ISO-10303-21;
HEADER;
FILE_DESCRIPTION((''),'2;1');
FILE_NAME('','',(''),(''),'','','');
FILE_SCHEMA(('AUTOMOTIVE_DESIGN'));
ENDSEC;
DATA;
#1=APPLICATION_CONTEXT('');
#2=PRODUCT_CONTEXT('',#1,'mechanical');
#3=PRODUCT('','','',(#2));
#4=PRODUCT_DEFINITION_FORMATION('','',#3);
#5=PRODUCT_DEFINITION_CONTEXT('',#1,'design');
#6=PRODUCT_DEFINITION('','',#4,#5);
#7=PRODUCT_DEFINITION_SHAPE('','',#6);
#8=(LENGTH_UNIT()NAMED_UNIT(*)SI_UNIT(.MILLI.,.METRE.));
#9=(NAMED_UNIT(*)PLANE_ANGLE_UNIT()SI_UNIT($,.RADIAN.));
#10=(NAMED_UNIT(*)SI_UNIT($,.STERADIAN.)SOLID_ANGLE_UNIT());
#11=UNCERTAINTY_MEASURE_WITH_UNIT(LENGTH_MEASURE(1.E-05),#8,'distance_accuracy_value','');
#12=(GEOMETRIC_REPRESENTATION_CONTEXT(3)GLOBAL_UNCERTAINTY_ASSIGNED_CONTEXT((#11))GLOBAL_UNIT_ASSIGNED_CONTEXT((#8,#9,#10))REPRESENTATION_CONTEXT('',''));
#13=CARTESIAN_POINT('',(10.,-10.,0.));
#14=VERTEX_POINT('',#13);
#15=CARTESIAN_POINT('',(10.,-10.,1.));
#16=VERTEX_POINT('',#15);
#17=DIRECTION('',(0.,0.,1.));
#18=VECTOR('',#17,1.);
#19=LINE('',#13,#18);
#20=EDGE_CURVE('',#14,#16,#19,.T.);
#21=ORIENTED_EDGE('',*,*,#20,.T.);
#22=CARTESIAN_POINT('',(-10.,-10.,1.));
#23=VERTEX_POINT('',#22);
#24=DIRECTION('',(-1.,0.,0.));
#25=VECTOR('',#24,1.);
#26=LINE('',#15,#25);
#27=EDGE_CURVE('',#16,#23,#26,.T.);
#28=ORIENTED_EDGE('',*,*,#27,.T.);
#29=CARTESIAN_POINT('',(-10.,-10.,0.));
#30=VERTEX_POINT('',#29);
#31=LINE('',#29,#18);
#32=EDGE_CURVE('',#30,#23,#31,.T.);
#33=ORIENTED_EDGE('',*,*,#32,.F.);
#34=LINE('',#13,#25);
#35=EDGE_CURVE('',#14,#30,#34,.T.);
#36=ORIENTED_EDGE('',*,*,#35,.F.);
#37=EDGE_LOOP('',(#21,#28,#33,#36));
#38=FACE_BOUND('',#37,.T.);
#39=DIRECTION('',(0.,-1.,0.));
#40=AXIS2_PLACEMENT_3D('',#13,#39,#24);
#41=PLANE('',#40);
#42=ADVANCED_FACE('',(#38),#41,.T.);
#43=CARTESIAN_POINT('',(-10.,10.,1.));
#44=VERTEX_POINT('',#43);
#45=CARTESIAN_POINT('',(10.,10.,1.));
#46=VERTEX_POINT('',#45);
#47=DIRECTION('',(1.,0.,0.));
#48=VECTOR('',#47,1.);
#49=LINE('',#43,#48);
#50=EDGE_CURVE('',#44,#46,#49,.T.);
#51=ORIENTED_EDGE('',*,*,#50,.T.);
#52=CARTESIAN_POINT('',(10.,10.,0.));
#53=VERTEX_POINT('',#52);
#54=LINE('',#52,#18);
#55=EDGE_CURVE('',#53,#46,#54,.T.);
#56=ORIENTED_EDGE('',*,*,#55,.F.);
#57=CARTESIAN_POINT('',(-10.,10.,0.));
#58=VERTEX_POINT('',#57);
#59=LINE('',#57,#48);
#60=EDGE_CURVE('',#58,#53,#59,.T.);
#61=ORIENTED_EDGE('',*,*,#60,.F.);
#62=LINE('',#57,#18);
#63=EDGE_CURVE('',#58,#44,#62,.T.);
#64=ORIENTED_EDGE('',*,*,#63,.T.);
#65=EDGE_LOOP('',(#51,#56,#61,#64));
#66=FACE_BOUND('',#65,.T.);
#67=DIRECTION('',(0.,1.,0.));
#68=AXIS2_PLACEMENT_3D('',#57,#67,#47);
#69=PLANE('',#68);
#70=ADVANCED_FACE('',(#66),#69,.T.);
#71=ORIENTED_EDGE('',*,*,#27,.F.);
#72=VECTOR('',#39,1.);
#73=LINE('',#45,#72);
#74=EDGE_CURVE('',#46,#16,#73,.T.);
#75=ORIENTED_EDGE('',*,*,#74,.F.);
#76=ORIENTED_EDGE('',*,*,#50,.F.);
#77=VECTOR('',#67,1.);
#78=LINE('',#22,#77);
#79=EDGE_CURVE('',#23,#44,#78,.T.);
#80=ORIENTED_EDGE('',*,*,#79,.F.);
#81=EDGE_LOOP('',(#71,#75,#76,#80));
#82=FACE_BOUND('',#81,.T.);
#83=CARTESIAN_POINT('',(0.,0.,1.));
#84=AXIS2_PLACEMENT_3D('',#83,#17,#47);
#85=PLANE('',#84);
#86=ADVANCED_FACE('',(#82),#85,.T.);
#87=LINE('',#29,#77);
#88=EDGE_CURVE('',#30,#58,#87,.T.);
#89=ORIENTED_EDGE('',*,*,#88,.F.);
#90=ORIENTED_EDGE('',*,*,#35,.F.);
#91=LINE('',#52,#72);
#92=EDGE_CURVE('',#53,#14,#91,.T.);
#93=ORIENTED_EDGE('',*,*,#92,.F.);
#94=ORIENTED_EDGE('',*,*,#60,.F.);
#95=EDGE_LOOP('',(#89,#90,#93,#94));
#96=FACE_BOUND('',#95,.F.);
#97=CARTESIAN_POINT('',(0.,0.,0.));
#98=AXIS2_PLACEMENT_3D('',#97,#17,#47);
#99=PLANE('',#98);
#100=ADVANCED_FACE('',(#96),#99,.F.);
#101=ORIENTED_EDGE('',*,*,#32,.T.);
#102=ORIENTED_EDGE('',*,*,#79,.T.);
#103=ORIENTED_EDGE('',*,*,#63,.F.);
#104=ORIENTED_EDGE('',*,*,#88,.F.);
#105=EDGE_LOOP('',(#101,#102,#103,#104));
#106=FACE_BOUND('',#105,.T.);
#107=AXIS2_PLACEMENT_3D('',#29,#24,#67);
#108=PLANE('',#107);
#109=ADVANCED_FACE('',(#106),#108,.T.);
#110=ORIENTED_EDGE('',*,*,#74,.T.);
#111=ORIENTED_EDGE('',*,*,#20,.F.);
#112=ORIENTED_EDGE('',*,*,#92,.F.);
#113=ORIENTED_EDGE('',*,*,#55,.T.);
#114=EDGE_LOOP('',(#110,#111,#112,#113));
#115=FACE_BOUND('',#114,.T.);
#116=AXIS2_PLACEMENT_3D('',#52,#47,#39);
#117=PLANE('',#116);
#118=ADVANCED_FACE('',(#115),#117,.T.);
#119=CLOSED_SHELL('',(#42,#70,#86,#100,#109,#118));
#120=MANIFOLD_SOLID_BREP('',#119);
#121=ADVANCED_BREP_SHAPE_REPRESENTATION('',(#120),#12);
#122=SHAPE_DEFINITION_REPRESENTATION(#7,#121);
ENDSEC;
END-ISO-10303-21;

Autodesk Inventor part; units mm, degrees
ref_plane "YZ Plane" through (0, 0, 0) normal (1, 0, 0) x (0, 1, 0)
ref_plane "XZ Plane" through (0, 0, 0) normal (0, 1, 0) x (-1, 0, 0)
ref_plane "XY Plane" through (0, 0, 0) normal (0, 0, 1) x (1, 0, 0)
sketch "Sketch1" plane through (0, 0, 0) normal (0, 0, 1) x (1, 0, 0)
  line L0 (10, -10) -> (-10, -10)
  line L1 (-10, -10) -> (-10, 10)
  line L2 (-10, 10) -> (10, 10)
  line L3 (10, 10) -> (10, -10)
  line L4 (10, -10) -> (-10, 10) construction
  line L5 (-10, -10) -> (10, 10) construction
  point P0 (0, 0)
  dimension "d0" = 20
  dimension "d1" = 20
extrude "Extrusion1" add sketch "Sketch1" along normal blind 1
properties part number "00_Polfilter_rectangular_20mm"
